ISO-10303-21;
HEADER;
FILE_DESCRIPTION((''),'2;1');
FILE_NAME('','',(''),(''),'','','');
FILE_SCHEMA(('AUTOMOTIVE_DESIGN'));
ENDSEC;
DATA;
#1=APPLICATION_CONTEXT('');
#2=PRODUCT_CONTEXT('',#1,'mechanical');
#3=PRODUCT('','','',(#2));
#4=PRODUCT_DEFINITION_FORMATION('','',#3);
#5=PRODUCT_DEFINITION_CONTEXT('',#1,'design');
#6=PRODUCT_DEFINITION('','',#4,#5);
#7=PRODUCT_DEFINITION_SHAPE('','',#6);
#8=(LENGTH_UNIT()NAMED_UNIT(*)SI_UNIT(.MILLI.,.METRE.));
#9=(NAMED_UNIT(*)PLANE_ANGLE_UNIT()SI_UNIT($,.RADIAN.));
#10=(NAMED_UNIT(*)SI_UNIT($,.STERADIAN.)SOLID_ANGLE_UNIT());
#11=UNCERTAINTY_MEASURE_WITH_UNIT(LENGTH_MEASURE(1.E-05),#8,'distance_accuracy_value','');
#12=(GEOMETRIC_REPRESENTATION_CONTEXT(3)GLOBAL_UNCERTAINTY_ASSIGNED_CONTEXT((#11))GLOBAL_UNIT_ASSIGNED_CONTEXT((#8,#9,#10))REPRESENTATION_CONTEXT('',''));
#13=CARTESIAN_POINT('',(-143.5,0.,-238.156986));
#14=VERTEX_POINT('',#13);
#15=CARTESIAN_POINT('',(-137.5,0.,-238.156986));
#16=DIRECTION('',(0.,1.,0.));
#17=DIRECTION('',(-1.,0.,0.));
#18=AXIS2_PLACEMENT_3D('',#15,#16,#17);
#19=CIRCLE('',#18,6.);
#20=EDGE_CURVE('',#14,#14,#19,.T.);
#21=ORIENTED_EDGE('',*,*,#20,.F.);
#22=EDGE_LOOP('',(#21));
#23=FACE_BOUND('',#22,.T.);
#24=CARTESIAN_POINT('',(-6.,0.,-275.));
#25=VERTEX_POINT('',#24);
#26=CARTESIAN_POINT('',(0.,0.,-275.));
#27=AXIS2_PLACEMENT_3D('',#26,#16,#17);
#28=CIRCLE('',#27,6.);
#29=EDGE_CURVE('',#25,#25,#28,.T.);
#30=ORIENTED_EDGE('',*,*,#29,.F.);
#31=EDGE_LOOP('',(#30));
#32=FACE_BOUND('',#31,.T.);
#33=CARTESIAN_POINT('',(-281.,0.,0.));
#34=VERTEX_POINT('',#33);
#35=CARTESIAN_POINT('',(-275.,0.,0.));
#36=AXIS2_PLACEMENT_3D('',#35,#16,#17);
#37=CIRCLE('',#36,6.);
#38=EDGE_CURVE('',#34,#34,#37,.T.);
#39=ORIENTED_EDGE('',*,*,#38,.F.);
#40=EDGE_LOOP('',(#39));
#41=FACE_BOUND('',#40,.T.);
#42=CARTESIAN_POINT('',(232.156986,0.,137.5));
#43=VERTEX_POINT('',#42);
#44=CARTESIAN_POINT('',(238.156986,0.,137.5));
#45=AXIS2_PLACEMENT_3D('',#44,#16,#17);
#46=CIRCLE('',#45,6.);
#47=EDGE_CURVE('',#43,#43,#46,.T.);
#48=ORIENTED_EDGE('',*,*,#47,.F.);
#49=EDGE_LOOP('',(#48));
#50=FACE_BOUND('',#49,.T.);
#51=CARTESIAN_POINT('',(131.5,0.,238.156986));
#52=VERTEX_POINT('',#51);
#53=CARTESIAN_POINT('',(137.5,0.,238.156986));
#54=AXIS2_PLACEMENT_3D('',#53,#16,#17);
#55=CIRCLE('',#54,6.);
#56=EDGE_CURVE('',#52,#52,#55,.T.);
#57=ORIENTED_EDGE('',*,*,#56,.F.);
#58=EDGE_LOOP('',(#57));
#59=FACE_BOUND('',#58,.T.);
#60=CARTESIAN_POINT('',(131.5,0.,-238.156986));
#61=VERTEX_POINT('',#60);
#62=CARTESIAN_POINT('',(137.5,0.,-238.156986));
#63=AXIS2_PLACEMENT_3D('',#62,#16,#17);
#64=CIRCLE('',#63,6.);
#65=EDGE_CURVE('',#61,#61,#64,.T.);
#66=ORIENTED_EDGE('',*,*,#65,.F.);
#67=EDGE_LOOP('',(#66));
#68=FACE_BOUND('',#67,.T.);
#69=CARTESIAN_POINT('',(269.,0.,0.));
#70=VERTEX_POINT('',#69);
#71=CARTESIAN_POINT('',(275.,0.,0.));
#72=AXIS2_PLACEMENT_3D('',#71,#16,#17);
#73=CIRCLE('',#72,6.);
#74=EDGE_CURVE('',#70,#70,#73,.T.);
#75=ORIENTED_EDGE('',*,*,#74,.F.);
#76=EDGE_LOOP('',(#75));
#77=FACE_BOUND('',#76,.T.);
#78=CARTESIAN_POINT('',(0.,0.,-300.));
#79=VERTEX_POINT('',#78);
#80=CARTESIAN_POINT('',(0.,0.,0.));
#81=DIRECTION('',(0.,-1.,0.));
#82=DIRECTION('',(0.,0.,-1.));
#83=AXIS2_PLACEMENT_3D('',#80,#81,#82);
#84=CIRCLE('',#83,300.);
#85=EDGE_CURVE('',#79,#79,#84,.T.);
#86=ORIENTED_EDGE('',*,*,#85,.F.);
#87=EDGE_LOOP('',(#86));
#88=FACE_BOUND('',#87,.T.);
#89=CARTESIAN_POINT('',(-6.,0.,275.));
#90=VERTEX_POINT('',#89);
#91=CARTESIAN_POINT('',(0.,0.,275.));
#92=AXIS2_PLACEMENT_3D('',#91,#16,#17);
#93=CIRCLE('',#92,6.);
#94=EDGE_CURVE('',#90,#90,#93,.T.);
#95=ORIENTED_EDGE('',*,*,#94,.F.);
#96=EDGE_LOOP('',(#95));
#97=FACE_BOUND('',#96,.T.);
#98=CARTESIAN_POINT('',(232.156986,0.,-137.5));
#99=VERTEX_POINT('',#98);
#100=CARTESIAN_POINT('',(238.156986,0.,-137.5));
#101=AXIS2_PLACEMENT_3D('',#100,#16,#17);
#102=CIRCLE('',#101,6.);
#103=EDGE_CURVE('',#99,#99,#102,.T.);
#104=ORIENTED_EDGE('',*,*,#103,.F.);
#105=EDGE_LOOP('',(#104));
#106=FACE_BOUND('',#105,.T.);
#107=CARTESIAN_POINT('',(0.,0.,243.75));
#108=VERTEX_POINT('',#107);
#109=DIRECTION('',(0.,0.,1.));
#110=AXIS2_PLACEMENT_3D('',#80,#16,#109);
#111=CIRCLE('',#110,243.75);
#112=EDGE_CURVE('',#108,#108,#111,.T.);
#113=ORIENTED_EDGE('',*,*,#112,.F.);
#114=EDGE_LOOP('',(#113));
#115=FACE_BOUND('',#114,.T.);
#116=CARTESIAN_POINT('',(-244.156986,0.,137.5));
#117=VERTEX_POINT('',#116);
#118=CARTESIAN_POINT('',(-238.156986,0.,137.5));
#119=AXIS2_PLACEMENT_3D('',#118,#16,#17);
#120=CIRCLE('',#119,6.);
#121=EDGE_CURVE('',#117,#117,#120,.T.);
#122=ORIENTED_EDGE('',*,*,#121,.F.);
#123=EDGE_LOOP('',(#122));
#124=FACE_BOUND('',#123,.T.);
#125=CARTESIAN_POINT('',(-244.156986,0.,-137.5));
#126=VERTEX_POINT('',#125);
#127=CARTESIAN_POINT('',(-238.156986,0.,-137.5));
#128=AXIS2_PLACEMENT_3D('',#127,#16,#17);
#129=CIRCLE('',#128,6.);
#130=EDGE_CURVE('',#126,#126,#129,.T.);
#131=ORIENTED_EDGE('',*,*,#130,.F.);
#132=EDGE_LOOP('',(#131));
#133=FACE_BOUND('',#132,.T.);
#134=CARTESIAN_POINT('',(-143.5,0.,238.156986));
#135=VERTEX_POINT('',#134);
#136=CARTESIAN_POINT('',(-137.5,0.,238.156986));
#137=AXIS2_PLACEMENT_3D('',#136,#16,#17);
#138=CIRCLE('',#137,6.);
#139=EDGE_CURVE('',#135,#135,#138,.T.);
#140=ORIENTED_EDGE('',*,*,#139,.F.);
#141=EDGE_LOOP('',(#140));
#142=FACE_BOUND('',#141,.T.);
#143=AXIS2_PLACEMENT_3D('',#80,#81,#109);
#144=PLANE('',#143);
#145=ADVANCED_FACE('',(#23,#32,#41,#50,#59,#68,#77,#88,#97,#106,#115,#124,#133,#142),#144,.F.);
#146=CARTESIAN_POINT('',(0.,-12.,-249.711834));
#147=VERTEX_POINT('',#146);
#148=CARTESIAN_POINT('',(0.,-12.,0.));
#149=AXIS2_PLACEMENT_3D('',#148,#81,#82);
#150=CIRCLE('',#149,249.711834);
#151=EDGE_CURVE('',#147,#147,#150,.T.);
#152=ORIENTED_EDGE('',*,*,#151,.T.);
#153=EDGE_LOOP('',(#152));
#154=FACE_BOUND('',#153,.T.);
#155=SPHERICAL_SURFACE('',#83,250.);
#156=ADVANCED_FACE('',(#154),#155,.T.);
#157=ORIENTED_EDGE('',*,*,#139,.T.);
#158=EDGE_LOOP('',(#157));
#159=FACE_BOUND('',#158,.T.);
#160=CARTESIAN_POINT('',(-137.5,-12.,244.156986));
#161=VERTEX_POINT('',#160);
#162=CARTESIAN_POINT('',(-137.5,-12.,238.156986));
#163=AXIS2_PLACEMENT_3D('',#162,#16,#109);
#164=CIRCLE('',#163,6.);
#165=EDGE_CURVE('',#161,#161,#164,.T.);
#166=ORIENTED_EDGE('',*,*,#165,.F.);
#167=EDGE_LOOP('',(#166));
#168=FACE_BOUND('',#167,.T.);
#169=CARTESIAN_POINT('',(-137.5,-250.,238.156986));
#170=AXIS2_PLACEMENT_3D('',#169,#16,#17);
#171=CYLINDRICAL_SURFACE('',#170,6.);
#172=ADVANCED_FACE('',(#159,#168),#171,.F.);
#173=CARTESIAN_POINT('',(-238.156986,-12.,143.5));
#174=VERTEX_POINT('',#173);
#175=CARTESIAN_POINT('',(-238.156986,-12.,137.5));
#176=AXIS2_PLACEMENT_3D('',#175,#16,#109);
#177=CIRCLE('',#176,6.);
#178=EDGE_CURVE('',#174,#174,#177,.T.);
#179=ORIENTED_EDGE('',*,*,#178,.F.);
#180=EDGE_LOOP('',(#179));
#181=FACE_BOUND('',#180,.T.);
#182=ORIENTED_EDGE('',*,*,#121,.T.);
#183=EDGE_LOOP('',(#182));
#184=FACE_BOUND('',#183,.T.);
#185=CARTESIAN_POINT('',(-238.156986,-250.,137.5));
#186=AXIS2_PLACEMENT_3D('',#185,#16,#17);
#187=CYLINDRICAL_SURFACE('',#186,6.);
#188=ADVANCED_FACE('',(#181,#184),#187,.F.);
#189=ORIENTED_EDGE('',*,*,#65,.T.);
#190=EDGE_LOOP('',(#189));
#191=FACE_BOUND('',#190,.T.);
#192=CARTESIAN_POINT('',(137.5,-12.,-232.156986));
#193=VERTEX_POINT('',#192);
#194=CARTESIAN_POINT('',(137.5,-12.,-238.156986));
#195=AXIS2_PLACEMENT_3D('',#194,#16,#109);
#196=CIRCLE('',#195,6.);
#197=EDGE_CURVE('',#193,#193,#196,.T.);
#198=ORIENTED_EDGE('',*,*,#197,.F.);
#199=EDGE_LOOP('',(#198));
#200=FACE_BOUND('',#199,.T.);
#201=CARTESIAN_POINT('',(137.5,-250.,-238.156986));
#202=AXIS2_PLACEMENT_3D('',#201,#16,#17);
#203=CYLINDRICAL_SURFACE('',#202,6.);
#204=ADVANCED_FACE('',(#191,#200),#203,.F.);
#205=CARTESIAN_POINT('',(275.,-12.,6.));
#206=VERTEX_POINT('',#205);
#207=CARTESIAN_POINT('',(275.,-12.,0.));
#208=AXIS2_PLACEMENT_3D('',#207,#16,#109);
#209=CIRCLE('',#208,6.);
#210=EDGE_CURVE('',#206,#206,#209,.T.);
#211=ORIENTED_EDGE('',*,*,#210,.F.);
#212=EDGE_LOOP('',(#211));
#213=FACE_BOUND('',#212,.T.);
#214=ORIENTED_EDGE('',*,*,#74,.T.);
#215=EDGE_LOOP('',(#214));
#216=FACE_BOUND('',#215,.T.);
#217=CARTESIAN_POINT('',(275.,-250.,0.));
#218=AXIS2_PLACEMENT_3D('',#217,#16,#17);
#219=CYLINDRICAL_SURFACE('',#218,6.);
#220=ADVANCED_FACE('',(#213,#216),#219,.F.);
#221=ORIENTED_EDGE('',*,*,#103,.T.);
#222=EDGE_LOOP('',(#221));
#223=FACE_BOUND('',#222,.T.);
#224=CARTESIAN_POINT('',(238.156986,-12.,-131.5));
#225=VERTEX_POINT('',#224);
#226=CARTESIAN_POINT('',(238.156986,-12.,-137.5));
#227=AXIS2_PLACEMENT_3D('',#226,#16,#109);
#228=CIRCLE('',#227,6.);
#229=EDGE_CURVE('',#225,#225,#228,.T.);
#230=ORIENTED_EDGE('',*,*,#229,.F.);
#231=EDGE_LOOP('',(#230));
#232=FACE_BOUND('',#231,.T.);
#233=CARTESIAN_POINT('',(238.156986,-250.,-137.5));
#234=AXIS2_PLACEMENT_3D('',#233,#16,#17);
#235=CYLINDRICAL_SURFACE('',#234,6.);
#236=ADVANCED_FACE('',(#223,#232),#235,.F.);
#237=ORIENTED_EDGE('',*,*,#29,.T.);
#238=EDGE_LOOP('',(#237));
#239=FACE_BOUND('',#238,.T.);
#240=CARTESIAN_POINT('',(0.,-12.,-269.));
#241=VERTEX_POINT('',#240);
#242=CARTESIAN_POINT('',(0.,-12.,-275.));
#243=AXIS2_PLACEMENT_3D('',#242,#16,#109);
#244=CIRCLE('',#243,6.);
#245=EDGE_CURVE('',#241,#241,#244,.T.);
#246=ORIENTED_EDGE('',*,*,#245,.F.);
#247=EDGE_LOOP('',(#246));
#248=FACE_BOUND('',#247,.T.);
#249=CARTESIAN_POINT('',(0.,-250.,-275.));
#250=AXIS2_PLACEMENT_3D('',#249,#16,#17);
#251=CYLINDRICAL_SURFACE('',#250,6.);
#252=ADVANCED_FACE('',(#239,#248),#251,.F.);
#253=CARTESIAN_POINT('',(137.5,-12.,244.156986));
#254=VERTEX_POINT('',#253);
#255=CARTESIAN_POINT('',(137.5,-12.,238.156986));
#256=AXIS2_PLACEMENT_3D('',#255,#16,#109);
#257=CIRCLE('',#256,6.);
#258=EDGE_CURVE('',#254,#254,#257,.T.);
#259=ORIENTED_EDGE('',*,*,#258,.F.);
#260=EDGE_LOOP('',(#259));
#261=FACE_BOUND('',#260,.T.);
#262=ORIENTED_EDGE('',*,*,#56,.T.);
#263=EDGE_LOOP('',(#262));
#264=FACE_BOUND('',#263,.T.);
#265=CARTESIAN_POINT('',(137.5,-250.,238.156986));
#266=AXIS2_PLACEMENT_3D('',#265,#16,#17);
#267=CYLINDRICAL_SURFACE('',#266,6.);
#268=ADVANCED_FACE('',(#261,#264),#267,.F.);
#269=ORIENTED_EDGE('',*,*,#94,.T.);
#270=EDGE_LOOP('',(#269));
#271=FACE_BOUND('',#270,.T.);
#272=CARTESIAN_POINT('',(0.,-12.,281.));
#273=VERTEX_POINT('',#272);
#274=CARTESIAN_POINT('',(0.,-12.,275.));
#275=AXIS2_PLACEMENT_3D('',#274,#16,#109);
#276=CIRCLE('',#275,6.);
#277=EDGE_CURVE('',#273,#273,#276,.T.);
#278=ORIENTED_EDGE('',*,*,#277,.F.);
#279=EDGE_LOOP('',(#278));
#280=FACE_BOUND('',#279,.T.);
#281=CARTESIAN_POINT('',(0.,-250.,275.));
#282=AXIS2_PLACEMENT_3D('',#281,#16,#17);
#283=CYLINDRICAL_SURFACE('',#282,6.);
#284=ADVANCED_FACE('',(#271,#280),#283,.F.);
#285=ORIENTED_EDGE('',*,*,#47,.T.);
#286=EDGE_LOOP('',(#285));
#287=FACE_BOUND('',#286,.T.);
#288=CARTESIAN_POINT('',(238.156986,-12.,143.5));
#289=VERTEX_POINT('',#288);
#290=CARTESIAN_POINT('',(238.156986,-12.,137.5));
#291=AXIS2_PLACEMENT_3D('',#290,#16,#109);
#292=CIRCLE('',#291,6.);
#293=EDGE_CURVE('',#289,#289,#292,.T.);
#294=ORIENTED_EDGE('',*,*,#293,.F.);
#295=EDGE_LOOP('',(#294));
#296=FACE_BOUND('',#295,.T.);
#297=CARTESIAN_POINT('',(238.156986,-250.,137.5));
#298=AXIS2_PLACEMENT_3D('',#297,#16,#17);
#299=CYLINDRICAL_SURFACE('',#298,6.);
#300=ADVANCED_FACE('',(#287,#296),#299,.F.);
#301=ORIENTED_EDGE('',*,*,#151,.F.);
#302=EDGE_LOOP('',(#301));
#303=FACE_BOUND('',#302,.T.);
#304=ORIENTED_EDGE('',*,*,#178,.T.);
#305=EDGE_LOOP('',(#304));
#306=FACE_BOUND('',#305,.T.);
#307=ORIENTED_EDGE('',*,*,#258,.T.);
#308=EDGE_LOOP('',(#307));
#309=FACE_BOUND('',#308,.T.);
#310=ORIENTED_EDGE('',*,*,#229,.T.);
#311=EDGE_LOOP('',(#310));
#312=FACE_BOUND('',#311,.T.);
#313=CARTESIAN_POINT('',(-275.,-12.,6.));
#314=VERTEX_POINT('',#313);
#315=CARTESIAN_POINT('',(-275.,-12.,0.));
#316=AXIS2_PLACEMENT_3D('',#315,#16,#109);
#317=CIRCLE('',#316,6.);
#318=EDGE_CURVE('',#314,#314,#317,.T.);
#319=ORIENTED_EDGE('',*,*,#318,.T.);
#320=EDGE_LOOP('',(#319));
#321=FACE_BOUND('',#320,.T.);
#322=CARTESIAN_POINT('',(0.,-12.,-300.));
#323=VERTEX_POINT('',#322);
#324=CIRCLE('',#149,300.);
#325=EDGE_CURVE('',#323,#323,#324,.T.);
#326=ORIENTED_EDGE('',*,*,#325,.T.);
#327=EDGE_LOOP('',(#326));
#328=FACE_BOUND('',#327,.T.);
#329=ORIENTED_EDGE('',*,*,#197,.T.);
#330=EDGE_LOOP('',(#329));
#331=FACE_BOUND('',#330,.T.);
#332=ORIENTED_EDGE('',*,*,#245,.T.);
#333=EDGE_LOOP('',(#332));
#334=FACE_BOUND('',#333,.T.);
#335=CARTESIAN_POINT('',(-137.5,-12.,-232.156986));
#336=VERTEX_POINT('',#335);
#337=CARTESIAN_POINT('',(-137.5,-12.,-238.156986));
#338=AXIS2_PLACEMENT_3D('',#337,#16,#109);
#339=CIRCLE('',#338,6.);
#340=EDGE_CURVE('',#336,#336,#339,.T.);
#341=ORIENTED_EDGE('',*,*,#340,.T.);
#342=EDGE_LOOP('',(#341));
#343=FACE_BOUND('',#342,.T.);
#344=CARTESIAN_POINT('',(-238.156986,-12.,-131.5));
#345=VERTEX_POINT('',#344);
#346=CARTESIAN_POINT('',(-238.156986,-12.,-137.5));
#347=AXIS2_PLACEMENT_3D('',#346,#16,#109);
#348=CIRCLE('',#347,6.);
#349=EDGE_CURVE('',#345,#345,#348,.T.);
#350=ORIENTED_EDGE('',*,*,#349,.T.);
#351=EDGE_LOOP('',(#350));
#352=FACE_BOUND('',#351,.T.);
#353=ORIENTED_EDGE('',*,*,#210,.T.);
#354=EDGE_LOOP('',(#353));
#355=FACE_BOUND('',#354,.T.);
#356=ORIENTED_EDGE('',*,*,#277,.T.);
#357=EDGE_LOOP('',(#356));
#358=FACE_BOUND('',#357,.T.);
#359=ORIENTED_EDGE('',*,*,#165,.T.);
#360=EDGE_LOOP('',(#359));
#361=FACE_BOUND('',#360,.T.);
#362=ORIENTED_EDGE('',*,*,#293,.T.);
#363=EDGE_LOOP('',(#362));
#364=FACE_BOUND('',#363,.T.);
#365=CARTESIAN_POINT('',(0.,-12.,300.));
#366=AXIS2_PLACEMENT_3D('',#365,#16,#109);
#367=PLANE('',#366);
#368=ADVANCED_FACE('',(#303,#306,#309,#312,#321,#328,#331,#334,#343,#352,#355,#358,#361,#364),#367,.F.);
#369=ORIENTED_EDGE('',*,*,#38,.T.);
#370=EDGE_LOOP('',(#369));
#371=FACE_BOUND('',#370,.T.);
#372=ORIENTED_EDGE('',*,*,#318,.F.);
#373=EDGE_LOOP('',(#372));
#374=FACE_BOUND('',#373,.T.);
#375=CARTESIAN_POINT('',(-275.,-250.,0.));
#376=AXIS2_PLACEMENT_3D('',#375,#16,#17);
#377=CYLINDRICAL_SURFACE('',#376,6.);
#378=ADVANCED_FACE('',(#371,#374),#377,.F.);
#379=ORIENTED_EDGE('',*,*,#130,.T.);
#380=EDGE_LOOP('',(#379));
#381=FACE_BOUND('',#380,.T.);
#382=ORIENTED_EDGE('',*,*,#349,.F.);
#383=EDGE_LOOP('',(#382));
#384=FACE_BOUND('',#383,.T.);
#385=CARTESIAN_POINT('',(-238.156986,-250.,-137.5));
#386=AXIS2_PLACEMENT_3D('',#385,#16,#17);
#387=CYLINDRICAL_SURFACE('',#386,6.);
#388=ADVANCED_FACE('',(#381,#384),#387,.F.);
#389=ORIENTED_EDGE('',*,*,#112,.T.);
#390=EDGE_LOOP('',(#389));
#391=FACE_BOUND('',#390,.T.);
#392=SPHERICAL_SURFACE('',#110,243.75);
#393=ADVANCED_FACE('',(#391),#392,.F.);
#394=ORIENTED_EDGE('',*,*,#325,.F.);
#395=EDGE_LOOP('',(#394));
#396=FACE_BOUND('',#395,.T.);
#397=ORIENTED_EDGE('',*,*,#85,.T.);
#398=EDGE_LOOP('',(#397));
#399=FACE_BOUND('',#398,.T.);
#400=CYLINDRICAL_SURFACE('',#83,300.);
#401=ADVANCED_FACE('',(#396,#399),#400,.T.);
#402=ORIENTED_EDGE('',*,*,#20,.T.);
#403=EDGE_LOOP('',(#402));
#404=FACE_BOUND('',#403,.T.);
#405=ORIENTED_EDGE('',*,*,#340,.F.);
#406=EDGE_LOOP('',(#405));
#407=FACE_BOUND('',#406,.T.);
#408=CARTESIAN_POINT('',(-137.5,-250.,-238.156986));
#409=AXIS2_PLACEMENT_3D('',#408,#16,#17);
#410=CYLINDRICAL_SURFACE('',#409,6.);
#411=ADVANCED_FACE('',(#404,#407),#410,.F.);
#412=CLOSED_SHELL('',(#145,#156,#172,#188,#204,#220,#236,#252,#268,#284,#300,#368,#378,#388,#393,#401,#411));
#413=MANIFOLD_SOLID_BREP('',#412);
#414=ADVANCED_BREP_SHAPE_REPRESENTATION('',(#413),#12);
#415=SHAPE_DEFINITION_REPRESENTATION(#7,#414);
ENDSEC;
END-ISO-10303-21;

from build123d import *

# Parameters (mm, degrees)
REVOLVE1_ANGLE     = 180
SKETCH10_R         = 6
CUT_EXTRUDE1_DEPTH = 493.44289009


with BuildPart() as part:
    # Sketch1 → Revolve1 (revolve)
    with BuildSketch(Plane(origin=(0, 0, 0), x_dir=(1, 0, 0), z_dir=(0, 1, 0))):
        with BuildLine():
            Line((0, 250), (0, 243.75))
            ThreePointArc((0, 243.75), (-243.75, 0), (0, -243.75))
            Line((0, -243.75), (0, -250))
            ThreePointArc((0, -250), (-250, 0), (0, 250))
        make_face()
    revolve(axis=Axis((0, 0, -250), (0, 0, 1)), revolution_arc=REVOLVE1_ANGLE)

    # Sketch3 → Revolve2 (revolve)
    with BuildSketch(Plane(origin=(0, 0, 0), x_dir=(0, 0, -1), z_dir=(1, 0, 0)), mode=Mode.PRIVATE) as revolve2_sk:
        with BuildLine():
            Line((-250, 0), (-300, 0))
            Line((-300, 0), (-300, -12))
            Line((-300, -12), (-249.711833921, -12))
            ThreePointArc((-249.711833921, -12), (-249.927948097, -6.001729744), (-250, 0))
        make_face()
    revolve(revolve2_sk.sketch.rotate(Axis((0, 0, 0), (0, 1, 0)), 180), axis=Axis((0, 0, 0), (0, 1, 0)))

    # Sketch10 → Cut-Extrude1 (cut, through all)
    with BuildSketch(Plane(origin=(0, 0, 0), x_dir=(1, 0, 0), z_dir=(0, 1, 0))):
        with Locations(Location((0, 275, 0), (0, 0, 180))):
            Circle(SKETCH10_R)
        with Locations(Location((-137.5, 238.156986041, 0), (0, 0, 180))):
            Circle(SKETCH10_R)
        with Locations(Location((-238.156986041, 137.5, 0), (0, 0, 180))):
            Circle(SKETCH10_R)
        with Locations(Location((-275, 0, 0), (0, 0, 180))):
            Circle(SKETCH10_R)
        with Locations(Location((-238.156986041, -137.5, 0), (0, 0, 180))):
            Circle(SKETCH10_R)
        with Locations(Location((-137.5, -238.156986041, 0), (0, 0, 180))):
            Circle(SKETCH10_R)
        with Locations(Location((0, -275, 0), (0, 0, 180))):
            Circle(SKETCH10_R)
        with Locations(Location((137.5, -238.156986041, 0), (0, 0, 180))):
            Circle(SKETCH10_R)
        with Locations(Location((238.156986041, -137.5, 0), (0, 0, 180))):
            Circle(SKETCH10_R)
        with Locations(Location((275, 0, 0), (0, 0, 180))):
            Circle(SKETCH10_R)
        with Locations(Location((238.156986041, 137.5, 0), (0, 0, 180))):
            Circle(SKETCH10_R)
        with Locations(Location((137.5, 238.156986041, 0), (0, 0, 180))):
            Circle(SKETCH10_R)
    extrude(amount=-CUT_EXTRUDE1_DEPTH, mode=Mode.SUBTRACT)


solid = part.part
